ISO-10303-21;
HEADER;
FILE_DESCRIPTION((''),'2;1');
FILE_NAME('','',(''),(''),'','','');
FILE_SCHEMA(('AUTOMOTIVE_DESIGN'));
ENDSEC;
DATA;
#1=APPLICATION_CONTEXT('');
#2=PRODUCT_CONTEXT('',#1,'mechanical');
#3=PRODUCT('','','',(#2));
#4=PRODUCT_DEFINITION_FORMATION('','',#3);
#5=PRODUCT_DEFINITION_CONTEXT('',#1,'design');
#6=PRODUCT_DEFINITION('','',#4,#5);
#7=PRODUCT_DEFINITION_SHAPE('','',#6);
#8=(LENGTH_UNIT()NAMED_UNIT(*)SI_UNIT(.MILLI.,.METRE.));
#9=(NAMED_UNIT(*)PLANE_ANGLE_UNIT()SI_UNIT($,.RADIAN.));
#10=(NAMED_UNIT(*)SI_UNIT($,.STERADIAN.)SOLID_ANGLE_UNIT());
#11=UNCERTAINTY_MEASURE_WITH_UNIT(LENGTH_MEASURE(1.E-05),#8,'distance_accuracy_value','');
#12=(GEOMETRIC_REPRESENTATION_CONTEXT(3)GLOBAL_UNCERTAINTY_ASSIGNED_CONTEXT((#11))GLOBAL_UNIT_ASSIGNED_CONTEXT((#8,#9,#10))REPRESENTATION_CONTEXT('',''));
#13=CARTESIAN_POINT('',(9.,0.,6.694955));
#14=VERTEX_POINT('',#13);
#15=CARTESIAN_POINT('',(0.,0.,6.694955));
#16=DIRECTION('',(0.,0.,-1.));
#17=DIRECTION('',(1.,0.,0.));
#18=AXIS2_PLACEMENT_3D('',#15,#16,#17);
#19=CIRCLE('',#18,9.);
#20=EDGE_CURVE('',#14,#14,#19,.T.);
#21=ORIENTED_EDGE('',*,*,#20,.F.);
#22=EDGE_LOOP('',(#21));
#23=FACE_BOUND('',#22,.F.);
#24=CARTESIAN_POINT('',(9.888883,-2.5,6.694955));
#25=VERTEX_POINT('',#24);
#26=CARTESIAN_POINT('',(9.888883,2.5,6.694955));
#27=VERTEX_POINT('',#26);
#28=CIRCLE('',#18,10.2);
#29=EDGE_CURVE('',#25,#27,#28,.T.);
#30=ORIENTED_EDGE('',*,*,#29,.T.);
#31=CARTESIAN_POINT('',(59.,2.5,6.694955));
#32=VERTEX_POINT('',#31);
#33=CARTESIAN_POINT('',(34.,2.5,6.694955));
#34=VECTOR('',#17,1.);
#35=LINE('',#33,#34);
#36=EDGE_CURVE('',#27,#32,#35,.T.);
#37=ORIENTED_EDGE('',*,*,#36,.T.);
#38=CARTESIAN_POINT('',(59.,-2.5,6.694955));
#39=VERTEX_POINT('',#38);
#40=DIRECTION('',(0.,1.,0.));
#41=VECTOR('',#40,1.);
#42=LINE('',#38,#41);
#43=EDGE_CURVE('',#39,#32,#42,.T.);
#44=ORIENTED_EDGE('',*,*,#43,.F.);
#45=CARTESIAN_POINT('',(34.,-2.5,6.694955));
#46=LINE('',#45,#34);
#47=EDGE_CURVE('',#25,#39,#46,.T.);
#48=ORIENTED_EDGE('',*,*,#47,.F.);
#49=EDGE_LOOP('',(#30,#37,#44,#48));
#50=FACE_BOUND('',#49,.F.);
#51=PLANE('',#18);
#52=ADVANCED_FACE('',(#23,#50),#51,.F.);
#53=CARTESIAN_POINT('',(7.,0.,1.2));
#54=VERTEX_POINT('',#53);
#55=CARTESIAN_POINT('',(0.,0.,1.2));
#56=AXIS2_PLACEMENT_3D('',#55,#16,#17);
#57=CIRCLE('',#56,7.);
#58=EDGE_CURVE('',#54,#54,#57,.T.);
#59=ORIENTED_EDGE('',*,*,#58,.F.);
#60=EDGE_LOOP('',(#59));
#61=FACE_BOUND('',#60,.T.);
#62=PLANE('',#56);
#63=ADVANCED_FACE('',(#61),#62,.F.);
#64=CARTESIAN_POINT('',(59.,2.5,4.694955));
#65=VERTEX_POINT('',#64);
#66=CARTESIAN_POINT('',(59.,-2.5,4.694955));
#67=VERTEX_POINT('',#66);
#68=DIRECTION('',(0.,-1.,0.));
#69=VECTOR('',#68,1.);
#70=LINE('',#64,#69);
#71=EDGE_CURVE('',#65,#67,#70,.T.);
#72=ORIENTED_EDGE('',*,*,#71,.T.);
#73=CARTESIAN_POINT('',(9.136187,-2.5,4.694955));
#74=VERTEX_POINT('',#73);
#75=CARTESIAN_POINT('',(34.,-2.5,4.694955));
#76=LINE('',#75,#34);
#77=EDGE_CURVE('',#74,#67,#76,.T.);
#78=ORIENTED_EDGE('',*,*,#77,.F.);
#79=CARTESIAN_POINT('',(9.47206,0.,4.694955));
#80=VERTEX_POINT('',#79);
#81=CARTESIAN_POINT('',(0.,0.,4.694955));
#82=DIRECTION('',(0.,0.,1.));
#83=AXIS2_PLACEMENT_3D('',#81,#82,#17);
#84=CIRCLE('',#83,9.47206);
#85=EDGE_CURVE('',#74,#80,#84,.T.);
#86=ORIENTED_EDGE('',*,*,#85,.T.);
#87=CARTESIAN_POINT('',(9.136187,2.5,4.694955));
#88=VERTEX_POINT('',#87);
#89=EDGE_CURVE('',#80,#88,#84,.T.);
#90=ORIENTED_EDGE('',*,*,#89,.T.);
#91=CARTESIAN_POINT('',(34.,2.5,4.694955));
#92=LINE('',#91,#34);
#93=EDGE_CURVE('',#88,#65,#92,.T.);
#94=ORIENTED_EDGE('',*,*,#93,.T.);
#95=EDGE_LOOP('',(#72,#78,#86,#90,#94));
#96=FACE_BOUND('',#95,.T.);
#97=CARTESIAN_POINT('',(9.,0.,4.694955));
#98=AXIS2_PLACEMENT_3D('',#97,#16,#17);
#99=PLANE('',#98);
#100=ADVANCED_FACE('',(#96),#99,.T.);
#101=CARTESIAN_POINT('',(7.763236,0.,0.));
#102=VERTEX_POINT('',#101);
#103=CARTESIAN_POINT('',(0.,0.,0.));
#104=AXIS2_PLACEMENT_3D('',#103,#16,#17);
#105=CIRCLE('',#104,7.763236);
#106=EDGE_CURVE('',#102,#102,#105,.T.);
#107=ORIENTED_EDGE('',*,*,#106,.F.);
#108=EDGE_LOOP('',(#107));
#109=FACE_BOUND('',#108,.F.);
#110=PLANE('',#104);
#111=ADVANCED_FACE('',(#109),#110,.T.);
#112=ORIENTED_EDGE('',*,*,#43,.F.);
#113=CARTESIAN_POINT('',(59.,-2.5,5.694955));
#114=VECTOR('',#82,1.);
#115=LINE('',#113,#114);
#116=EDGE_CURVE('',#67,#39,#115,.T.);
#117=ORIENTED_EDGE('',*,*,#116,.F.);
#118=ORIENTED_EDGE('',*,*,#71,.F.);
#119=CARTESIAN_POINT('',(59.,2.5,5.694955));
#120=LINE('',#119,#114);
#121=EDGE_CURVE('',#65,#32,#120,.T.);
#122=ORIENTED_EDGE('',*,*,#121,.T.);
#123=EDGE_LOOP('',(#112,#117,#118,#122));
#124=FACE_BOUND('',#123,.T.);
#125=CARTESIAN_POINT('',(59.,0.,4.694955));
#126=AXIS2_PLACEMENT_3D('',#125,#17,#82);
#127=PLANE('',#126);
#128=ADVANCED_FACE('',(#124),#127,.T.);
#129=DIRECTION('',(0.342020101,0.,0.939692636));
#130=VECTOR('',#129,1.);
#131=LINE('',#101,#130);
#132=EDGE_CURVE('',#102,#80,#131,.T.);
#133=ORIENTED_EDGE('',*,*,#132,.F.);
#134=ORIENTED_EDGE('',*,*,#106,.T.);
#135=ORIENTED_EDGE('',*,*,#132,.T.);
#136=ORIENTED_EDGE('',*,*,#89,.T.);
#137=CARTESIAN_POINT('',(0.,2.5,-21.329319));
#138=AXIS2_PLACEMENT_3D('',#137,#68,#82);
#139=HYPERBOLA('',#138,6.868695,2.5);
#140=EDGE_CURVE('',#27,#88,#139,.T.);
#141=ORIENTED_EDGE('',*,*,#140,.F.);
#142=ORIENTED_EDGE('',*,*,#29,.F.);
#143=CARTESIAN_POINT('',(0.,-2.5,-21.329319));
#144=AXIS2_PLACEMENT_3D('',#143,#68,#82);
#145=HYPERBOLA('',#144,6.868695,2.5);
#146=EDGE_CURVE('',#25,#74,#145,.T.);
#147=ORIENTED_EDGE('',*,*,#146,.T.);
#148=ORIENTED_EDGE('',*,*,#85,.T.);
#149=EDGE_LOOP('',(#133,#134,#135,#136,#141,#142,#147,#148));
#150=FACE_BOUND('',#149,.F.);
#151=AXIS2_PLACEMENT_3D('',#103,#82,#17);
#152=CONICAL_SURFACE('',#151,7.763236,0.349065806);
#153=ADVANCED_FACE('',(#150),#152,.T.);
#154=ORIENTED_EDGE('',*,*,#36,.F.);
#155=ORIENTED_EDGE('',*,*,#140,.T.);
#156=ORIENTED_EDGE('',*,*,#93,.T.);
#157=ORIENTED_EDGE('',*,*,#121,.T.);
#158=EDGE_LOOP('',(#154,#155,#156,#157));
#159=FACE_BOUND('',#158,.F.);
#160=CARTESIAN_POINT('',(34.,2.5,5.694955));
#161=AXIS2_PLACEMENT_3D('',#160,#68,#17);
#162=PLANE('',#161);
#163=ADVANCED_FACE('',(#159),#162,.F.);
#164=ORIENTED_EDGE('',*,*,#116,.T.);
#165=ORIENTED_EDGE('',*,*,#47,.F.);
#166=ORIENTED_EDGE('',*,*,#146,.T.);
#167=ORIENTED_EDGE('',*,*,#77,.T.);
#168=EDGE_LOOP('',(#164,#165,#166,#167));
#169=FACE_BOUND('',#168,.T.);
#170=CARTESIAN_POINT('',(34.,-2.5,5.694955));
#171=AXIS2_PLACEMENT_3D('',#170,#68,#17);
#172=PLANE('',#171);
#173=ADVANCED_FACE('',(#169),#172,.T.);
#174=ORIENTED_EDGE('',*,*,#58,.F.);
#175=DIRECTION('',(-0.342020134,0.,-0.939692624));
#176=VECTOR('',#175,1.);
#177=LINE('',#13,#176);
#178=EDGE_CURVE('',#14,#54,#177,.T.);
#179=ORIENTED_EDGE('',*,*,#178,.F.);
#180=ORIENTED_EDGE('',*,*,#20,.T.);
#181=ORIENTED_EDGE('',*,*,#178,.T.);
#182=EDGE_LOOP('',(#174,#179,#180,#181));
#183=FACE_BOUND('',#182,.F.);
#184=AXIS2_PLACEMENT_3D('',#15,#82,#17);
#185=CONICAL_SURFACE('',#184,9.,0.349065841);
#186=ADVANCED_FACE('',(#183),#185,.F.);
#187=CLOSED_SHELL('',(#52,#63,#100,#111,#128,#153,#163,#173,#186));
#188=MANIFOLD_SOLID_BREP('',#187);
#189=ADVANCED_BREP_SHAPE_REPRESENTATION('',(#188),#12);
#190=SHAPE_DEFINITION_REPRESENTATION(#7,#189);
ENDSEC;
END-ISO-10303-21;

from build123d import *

# Parameters (mm, degrees)
F0_W     = 7
F0_H     = 1.2
F2_W     = 50
F2_H     = 2
F3_DEPTH = 2.5


with BuildPart() as f1:
    # F0 (on Front) → F1 (revolve)
    with BuildSketch(Plane.XZ):
        Polygon((9, 6.694955), (7, 1.2), (7, 0), (7.763236, 0), (10.2, 6.694955), align=None)
        with Locations((3.5, 0.6)):
            Rectangle(F0_W, F0_H)
    revolve(axis=Axis((0, 0, 3.216552), (0, 0, -1)))

    # F2 (on Front) → F3 (join, symmetric)
    with BuildSketch(Plane.XZ):
        with Locations((34, 5.694955)):
            Rectangle(F2_W, F2_H)
    extrude(amount=F3_DEPTH, both=True)


solid = f1.part
